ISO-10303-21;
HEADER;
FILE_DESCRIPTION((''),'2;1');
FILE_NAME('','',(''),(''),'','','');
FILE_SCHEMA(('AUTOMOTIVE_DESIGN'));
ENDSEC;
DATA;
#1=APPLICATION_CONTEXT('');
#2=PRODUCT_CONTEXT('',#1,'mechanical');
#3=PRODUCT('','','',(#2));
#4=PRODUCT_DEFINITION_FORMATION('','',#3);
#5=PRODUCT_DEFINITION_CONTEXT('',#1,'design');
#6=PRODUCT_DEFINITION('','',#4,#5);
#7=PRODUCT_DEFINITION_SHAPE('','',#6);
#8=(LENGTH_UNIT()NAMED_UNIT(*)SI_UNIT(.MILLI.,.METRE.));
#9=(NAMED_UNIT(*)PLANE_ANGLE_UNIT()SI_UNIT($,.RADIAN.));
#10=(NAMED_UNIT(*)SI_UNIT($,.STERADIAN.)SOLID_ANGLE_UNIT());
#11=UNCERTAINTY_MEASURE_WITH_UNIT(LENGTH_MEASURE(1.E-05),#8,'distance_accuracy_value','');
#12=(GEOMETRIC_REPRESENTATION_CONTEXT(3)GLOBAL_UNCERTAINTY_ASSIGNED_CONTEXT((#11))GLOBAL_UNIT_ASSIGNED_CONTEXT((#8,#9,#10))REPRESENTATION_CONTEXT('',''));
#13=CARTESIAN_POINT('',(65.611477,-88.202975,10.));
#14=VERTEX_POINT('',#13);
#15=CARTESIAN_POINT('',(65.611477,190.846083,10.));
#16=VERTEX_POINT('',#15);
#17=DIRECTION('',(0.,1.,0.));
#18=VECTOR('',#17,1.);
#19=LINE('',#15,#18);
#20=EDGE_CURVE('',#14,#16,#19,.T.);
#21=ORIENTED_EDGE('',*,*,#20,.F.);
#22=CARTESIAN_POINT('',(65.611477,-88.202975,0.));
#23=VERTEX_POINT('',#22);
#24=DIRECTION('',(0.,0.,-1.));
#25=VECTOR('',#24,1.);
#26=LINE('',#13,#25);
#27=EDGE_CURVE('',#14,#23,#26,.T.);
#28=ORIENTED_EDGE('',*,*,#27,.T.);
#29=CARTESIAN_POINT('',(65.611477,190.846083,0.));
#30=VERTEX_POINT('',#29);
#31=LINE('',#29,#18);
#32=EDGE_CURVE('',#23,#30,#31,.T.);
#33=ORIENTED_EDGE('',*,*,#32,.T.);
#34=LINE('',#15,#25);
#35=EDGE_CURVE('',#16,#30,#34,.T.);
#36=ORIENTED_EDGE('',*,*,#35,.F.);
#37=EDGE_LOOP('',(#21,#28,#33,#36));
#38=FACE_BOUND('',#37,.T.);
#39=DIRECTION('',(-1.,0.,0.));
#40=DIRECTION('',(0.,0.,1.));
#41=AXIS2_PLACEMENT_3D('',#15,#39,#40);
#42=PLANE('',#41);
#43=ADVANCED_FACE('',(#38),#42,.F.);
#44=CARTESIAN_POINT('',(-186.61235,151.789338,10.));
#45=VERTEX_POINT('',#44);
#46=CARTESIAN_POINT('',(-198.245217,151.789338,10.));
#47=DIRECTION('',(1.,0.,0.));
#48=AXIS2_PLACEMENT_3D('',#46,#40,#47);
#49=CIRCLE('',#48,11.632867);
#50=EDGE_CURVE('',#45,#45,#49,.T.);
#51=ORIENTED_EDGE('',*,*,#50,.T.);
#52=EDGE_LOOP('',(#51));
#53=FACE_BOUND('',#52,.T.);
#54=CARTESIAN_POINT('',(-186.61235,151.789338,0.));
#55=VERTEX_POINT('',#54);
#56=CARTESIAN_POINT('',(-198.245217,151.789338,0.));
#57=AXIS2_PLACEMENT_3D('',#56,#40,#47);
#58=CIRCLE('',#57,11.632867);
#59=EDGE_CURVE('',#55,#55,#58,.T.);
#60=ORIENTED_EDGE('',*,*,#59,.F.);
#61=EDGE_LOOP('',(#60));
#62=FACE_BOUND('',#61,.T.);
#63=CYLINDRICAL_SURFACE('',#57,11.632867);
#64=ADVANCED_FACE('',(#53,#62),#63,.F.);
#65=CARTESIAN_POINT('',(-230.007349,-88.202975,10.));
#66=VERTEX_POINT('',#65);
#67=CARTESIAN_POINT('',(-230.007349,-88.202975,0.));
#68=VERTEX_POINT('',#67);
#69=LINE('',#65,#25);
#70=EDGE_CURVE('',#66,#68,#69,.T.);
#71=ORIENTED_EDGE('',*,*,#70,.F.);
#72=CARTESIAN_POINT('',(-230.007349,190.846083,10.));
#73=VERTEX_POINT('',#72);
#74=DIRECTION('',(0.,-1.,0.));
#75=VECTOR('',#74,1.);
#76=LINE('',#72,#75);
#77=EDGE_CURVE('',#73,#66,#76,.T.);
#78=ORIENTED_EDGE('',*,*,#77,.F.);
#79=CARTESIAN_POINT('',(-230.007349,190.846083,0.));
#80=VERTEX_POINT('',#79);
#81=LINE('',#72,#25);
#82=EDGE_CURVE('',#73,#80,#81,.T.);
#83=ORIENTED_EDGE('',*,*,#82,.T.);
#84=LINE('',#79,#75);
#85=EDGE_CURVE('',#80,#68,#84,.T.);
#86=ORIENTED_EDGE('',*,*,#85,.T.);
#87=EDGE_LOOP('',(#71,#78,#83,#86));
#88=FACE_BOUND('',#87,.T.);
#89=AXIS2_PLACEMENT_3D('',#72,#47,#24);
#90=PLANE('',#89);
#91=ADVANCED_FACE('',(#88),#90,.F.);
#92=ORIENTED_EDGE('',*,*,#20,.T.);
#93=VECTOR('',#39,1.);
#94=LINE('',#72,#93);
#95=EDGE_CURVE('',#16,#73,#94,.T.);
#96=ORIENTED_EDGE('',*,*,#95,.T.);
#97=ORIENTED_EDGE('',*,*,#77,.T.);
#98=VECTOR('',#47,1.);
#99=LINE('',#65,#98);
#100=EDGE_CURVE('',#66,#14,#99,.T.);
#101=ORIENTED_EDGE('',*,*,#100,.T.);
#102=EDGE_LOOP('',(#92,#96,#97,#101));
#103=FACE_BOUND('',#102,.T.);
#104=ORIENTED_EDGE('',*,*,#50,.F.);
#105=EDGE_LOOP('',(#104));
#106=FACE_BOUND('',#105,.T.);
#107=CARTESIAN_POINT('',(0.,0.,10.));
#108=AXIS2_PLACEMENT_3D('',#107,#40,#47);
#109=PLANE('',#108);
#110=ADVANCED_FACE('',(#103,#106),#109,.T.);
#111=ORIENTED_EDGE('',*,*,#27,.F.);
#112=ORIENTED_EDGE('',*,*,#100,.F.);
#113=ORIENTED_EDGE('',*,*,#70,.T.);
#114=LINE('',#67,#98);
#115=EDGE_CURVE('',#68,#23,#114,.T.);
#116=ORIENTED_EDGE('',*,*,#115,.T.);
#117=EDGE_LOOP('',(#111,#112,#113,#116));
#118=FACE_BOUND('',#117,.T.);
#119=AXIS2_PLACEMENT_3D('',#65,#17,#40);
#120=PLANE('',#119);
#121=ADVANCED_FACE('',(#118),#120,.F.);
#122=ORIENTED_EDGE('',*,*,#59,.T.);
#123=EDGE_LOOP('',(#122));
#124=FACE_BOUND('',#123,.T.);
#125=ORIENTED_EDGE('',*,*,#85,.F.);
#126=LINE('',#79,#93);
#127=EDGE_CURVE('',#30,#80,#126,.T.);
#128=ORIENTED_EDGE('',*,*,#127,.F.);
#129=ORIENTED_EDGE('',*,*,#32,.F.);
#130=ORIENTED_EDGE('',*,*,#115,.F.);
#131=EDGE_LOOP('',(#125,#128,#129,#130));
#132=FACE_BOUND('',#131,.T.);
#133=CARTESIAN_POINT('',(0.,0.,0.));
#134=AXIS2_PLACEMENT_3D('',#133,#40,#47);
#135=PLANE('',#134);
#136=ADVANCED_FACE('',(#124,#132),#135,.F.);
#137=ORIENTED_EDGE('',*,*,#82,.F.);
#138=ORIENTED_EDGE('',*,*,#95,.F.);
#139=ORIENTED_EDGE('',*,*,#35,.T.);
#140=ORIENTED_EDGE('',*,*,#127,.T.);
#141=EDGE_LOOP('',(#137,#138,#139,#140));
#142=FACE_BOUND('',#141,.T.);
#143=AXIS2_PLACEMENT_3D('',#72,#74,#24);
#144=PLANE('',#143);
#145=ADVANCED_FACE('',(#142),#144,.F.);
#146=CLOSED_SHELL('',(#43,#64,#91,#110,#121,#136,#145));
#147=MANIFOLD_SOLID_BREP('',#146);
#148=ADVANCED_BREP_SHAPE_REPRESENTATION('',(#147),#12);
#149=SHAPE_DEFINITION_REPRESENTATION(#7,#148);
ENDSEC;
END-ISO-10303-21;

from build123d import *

# Parameters (mm, degrees)
SKETCH1_W           = 295.618826117
SKETCH1_H           = 279.049057448
BOSS_EXTRUDE1_DEPTH = 10
SKETCH2_R           = 11.632866943
CUT_EXTRUDE1_DEPTH  = 10


with BuildPart() as part:
    # Sketch1 → Boss-Extrude1 (new body)
    with BuildSketch(Plane.XY):
        with Locations((-82.197935831, 51.321553844)):
            Rectangle(SKETCH1_W, SKETCH1_H)
    extrude(amount=BOSS_EXTRUDE1_DEPTH)

    # Sketch2 → Cut-Extrude1 (cut)
    with BuildSketch(Plane.XY.offset(10)):
        with Locations((-198.245217344, 151.789338011)):
            Circle(SKETCH2_R)
    extrude(amount=-CUT_EXTRUDE1_DEPTH, mode=Mode.SUBTRACT)


solid = part.part
